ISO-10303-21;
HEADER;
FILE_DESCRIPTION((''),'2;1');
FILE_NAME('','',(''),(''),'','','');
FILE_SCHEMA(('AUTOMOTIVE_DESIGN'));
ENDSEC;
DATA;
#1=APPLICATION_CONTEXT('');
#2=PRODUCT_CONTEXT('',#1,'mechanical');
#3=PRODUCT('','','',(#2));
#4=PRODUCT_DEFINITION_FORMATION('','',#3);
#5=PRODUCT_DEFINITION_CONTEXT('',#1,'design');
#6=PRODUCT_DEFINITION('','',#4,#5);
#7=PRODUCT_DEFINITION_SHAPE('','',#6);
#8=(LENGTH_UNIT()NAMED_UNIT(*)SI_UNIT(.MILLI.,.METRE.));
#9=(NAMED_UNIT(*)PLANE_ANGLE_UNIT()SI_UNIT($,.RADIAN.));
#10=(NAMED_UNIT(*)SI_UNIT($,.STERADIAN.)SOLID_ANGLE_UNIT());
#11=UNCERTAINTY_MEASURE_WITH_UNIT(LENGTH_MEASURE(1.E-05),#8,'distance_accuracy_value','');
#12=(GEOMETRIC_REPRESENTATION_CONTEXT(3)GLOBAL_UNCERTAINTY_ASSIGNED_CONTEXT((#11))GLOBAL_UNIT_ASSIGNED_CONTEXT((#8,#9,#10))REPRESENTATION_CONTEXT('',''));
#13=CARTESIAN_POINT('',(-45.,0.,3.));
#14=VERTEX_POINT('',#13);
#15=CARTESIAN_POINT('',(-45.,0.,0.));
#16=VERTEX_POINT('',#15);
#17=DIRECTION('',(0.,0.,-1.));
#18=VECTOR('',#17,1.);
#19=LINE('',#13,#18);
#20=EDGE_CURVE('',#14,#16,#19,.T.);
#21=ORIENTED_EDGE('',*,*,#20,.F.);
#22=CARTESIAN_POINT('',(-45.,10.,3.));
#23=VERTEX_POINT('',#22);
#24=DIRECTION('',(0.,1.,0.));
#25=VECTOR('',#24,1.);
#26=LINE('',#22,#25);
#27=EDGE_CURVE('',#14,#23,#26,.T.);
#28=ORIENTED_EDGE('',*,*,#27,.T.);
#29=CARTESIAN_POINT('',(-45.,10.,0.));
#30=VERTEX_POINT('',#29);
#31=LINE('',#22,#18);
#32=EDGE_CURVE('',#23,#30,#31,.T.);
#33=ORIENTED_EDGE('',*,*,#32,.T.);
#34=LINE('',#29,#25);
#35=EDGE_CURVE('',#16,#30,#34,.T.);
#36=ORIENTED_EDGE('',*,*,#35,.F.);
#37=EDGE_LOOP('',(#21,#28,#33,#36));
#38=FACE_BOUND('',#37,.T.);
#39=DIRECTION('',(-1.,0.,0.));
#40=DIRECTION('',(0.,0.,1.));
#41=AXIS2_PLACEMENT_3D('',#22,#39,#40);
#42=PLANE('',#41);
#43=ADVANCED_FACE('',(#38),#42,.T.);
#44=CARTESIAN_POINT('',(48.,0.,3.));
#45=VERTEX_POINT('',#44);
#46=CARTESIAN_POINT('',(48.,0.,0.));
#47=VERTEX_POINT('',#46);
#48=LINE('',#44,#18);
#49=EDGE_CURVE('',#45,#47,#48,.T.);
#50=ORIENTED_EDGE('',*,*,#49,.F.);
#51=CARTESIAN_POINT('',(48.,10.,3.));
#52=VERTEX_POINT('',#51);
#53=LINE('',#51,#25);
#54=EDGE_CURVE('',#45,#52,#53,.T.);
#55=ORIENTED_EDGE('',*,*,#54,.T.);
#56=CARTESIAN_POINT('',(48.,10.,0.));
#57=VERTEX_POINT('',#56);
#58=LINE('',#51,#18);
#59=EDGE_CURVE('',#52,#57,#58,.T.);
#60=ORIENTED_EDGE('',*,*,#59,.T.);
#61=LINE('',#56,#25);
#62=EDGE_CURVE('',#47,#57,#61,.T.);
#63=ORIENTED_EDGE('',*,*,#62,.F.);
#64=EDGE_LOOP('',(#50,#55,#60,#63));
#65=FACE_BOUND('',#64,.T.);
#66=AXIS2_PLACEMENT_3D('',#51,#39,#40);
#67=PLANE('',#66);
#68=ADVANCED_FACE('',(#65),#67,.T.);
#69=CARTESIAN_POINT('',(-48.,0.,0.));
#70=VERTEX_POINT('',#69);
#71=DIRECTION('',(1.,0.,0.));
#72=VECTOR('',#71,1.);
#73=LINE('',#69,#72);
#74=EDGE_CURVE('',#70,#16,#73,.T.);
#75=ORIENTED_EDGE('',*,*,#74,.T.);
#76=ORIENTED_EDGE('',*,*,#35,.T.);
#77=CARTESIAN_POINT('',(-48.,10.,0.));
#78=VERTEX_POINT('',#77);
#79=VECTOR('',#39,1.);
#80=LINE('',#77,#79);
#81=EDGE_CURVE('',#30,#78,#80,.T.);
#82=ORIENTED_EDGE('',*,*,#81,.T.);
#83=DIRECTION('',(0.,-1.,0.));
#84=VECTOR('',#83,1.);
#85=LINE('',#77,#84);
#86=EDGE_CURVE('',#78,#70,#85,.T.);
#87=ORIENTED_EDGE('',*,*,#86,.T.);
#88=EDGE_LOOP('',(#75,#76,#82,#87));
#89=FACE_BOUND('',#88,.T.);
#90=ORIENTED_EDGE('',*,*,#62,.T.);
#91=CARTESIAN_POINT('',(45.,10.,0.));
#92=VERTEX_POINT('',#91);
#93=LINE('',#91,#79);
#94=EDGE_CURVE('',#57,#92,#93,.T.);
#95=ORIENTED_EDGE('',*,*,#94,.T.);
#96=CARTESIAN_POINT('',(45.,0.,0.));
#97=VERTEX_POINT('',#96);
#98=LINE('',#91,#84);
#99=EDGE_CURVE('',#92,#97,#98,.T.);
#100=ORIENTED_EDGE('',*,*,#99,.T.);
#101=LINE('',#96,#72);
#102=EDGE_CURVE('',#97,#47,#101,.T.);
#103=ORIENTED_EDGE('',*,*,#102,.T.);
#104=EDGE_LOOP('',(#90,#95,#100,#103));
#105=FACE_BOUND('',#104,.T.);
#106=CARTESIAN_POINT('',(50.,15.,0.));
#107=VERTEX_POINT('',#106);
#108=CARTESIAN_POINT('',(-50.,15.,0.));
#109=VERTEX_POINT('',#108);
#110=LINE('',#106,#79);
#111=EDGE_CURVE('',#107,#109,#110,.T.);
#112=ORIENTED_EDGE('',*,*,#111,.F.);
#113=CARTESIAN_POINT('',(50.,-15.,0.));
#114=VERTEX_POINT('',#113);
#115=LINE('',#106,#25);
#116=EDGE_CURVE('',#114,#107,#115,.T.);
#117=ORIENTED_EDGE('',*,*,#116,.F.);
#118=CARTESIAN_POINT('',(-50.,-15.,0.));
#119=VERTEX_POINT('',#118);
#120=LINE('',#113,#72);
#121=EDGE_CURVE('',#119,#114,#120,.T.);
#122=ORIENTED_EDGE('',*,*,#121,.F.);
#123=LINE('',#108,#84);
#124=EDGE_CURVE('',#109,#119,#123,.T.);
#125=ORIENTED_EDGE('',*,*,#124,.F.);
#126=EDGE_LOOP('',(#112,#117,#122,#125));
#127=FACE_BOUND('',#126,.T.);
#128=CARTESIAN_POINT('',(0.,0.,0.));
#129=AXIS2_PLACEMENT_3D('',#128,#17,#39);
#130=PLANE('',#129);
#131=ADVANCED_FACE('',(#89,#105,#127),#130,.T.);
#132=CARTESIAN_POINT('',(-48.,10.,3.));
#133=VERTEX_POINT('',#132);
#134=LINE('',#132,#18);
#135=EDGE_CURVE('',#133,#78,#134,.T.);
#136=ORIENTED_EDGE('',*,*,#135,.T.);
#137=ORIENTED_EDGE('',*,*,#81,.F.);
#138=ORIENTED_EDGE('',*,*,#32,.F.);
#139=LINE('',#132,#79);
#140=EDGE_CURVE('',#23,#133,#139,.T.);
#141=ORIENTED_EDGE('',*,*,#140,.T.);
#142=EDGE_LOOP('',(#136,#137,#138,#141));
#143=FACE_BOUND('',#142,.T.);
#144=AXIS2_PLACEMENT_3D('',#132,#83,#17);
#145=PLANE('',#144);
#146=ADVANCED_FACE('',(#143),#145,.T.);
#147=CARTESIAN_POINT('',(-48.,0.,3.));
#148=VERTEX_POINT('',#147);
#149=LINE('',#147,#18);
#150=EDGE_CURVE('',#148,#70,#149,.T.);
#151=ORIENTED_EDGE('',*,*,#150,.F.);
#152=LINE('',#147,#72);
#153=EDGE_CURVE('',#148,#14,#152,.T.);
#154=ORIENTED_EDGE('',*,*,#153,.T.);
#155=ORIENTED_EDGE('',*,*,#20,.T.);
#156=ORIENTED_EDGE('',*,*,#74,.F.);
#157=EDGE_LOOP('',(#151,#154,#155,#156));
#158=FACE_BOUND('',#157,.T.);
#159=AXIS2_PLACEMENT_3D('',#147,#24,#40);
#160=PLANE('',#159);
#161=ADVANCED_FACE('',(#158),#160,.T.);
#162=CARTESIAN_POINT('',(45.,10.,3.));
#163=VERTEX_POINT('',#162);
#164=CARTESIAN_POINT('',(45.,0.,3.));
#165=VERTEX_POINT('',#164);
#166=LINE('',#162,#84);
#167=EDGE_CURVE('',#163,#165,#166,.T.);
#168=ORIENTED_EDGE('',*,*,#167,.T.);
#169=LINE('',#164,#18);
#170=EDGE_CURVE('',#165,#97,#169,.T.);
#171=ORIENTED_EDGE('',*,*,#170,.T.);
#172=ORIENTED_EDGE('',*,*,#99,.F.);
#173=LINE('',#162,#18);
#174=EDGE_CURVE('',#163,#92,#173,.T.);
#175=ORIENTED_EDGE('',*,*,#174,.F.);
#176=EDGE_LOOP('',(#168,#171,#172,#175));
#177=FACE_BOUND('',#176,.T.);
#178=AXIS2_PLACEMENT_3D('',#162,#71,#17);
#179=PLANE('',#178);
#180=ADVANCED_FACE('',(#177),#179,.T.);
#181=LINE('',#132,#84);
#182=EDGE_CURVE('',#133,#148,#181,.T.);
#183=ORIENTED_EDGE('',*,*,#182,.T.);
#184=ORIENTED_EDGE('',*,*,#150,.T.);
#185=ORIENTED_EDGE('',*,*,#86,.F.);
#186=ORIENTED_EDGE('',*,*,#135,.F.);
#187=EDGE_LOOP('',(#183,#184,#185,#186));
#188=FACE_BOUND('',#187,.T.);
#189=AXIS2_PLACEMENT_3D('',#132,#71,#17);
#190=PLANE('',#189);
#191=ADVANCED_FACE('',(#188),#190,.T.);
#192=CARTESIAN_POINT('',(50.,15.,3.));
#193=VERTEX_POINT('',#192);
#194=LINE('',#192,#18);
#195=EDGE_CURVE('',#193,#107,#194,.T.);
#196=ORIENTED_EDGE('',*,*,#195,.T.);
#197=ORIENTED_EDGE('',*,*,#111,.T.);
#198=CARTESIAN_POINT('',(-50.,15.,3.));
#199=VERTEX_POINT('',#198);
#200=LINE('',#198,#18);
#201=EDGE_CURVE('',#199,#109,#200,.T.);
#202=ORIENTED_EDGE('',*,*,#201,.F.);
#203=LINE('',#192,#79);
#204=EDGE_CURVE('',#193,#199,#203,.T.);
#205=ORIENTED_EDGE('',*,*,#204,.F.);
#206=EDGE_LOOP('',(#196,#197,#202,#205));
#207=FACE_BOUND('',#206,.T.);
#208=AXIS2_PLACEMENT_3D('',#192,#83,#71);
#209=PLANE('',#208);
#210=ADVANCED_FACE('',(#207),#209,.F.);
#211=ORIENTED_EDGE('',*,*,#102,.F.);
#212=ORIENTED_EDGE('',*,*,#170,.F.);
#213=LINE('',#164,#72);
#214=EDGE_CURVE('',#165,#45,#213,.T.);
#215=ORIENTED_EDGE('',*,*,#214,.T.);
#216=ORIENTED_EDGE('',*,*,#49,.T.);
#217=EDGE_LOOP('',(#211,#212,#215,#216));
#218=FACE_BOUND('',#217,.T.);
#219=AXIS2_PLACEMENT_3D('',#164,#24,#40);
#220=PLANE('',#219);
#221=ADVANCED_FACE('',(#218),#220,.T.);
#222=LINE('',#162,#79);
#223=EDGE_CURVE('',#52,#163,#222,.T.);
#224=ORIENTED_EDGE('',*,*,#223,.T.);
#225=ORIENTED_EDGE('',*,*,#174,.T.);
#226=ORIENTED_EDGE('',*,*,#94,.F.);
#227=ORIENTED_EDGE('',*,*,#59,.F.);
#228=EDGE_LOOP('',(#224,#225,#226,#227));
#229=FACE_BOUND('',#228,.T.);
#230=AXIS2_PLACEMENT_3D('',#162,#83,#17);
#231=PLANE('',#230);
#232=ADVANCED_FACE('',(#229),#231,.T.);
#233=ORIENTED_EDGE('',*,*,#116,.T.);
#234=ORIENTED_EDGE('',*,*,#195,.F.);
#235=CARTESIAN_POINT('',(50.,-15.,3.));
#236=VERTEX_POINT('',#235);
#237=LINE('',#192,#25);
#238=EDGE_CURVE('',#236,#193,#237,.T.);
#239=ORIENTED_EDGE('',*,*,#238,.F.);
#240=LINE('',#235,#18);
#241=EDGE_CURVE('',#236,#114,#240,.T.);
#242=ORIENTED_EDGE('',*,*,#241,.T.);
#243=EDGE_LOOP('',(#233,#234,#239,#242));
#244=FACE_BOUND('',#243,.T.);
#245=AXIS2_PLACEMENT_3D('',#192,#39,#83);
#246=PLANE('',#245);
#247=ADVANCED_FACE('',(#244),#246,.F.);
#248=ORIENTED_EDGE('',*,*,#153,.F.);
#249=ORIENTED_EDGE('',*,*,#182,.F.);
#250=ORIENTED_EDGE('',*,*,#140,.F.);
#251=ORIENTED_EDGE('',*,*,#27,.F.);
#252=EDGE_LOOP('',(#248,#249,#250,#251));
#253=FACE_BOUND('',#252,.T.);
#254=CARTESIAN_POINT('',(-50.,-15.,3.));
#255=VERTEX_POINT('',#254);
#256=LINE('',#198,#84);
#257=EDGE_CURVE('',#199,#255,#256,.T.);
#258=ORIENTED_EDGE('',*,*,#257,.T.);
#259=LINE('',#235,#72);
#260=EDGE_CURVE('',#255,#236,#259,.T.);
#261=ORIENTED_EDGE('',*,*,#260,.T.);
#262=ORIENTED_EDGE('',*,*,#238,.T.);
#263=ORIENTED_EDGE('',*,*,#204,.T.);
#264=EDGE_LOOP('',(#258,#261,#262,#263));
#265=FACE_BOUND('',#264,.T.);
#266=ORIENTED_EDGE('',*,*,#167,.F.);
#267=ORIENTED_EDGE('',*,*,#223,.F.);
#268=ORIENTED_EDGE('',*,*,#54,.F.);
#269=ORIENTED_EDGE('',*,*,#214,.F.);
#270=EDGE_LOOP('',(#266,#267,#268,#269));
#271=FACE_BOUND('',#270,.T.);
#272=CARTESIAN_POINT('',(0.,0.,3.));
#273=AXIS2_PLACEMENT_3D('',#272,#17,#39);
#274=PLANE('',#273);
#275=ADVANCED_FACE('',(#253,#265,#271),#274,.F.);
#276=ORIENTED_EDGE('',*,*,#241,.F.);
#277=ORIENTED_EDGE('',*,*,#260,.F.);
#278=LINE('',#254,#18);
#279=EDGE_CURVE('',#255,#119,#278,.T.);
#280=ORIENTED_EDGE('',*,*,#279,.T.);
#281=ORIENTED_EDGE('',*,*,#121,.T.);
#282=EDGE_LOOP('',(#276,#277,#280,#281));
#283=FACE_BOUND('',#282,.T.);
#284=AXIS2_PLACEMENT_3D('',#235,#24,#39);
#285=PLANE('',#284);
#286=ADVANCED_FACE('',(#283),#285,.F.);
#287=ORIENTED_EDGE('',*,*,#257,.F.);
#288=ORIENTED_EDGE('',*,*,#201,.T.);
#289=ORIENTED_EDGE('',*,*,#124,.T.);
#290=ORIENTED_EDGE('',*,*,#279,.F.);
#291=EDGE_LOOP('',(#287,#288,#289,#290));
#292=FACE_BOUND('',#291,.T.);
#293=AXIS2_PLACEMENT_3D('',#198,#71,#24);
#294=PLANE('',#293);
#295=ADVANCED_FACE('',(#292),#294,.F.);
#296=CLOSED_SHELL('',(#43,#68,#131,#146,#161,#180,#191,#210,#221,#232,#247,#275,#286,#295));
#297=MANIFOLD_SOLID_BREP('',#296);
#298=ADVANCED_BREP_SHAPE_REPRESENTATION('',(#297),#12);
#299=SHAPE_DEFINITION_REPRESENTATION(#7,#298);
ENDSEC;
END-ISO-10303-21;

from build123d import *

# Parameters (mm, degrees)
SKETCH1_W           = 100
SKETCH1_H           = 30
SKETCH1_W_2         = 3
SKETCH1_H_2         = 10
BOSS_EXTRUDE1_DEPTH = 3


with BuildPart() as part:
    # Sketch1 → Boss-Extrude1 (new body)
    with BuildSketch(Plane.XY):
        Rectangle(SKETCH1_W, SKETCH1_H)
        with Locations((-46.5, 5)):
            Rectangle(SKETCH1_W_2, SKETCH1_H_2, mode=Mode.SUBTRACT)
        with Locations((46.5, 5)):
            Rectangle(SKETCH1_W_2, SKETCH1_H_2, mode=Mode.SUBTRACT)
    extrude(amount=BOSS_EXTRUDE1_DEPTH)


solid = part.part
